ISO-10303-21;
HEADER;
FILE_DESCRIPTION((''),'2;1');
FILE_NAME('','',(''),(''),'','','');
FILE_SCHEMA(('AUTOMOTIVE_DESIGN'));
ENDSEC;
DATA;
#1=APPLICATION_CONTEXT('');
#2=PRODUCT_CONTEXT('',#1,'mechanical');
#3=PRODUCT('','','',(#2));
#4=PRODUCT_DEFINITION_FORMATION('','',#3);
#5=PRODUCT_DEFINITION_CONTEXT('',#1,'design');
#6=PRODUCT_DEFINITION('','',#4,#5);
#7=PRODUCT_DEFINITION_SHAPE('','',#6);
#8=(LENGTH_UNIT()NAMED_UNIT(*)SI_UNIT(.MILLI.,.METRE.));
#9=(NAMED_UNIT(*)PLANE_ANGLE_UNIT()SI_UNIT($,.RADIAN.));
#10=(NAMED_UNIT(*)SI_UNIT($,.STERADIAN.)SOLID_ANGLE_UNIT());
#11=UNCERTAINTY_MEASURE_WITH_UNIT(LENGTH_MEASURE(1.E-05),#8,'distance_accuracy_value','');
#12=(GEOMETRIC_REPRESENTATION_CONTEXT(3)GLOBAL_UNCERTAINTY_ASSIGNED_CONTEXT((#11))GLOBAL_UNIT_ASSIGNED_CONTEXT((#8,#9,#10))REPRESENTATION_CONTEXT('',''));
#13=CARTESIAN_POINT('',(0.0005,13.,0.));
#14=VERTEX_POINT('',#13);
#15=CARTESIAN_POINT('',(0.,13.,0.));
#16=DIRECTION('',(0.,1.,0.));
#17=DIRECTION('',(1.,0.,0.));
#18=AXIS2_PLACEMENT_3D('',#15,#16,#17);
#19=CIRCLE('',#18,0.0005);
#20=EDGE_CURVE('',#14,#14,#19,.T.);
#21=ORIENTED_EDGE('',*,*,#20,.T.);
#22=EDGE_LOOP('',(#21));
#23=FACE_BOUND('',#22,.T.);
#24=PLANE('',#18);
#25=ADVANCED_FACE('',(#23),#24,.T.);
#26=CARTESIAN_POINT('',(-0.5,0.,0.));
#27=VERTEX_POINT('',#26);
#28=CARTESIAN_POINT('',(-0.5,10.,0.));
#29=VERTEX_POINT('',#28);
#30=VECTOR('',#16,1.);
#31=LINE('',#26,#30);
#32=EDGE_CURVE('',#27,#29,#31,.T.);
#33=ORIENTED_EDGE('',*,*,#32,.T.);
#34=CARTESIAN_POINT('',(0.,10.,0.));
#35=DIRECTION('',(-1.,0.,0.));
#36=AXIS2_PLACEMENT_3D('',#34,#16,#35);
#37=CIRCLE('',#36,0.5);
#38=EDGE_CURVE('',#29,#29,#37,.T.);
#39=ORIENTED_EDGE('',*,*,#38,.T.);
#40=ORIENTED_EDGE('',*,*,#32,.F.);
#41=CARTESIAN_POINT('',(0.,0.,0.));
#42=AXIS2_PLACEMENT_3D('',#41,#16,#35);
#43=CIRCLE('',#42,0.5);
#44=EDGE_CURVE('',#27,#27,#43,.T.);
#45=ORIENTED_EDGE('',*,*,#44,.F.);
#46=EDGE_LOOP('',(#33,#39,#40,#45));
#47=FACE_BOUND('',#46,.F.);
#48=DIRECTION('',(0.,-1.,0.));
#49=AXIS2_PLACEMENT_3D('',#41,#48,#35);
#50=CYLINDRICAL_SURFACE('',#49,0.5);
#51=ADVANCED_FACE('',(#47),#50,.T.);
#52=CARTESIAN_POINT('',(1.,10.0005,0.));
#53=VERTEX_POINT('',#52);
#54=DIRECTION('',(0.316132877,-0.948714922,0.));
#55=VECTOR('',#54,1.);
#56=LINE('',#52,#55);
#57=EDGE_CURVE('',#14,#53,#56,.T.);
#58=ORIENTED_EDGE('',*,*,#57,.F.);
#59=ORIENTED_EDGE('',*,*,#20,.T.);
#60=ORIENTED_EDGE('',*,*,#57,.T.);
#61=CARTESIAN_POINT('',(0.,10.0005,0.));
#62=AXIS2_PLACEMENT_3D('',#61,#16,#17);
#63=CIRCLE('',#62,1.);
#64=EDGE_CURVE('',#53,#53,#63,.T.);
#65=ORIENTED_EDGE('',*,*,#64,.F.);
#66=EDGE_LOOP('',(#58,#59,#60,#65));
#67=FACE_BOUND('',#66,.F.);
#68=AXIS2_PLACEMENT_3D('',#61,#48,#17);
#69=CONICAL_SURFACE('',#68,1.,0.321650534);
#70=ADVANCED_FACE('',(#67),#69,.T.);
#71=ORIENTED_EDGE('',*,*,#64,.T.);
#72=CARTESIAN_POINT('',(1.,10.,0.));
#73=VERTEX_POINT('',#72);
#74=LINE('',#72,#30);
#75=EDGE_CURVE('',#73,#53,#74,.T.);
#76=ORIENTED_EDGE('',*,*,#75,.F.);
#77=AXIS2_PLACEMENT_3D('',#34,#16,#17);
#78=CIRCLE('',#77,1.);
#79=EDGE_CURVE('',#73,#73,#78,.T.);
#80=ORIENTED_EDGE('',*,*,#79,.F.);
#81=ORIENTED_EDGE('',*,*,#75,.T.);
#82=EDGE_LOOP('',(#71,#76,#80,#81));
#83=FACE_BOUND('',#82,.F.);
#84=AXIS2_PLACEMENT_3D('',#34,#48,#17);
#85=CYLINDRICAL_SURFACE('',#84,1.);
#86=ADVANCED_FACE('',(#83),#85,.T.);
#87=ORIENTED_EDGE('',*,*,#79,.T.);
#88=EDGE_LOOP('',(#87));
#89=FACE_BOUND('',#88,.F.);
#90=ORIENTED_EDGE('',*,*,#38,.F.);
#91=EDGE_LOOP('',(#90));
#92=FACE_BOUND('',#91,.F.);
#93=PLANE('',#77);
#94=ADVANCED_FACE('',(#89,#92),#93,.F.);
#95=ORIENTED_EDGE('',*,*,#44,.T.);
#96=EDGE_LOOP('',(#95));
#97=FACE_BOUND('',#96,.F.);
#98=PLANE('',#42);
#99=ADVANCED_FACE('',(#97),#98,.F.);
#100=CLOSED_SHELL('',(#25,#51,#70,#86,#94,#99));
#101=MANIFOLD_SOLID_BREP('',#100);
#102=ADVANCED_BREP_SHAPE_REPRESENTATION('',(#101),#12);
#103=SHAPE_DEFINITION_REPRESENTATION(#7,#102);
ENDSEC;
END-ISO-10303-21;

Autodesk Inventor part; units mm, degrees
ref_plane "YZ Plane" through (0, 0, 0) normal (1, 0, 0) x (0, 1, 0)
ref_plane "XZ Plane" through (0, 0, 0) normal (0, 1, 0) x (-1, 0, 0)
ref_plane "XY Plane" through (0, 0, 0) normal (0, 0, 1) x (1, 0, 0)
sketch "草圖1" plane through (0, 0, 0) normal (0, 1, 0) x (-1, 0, 0)
  circle A0 centre (0, 0) radius 0.5
  dimension "d0" = 1
extrude "擠出1" add sketch "草圖1" along normal blind 10
sketch "草圖2" plane through (0, 10, 0) normal (0, 1, 0) x (1, 0, 0)
  circle A0 centre (0, 0) radius 1
  dimension "d3" = 2
extrude "擠出2" add sketch "草圖2" along normal blind 3
chamfer "倒角1" distance 1 distance2 3 1 edges at (-1, 13, 0) measured on face at (0.5848, 13, 0.397)
properties part number "Arrow"
